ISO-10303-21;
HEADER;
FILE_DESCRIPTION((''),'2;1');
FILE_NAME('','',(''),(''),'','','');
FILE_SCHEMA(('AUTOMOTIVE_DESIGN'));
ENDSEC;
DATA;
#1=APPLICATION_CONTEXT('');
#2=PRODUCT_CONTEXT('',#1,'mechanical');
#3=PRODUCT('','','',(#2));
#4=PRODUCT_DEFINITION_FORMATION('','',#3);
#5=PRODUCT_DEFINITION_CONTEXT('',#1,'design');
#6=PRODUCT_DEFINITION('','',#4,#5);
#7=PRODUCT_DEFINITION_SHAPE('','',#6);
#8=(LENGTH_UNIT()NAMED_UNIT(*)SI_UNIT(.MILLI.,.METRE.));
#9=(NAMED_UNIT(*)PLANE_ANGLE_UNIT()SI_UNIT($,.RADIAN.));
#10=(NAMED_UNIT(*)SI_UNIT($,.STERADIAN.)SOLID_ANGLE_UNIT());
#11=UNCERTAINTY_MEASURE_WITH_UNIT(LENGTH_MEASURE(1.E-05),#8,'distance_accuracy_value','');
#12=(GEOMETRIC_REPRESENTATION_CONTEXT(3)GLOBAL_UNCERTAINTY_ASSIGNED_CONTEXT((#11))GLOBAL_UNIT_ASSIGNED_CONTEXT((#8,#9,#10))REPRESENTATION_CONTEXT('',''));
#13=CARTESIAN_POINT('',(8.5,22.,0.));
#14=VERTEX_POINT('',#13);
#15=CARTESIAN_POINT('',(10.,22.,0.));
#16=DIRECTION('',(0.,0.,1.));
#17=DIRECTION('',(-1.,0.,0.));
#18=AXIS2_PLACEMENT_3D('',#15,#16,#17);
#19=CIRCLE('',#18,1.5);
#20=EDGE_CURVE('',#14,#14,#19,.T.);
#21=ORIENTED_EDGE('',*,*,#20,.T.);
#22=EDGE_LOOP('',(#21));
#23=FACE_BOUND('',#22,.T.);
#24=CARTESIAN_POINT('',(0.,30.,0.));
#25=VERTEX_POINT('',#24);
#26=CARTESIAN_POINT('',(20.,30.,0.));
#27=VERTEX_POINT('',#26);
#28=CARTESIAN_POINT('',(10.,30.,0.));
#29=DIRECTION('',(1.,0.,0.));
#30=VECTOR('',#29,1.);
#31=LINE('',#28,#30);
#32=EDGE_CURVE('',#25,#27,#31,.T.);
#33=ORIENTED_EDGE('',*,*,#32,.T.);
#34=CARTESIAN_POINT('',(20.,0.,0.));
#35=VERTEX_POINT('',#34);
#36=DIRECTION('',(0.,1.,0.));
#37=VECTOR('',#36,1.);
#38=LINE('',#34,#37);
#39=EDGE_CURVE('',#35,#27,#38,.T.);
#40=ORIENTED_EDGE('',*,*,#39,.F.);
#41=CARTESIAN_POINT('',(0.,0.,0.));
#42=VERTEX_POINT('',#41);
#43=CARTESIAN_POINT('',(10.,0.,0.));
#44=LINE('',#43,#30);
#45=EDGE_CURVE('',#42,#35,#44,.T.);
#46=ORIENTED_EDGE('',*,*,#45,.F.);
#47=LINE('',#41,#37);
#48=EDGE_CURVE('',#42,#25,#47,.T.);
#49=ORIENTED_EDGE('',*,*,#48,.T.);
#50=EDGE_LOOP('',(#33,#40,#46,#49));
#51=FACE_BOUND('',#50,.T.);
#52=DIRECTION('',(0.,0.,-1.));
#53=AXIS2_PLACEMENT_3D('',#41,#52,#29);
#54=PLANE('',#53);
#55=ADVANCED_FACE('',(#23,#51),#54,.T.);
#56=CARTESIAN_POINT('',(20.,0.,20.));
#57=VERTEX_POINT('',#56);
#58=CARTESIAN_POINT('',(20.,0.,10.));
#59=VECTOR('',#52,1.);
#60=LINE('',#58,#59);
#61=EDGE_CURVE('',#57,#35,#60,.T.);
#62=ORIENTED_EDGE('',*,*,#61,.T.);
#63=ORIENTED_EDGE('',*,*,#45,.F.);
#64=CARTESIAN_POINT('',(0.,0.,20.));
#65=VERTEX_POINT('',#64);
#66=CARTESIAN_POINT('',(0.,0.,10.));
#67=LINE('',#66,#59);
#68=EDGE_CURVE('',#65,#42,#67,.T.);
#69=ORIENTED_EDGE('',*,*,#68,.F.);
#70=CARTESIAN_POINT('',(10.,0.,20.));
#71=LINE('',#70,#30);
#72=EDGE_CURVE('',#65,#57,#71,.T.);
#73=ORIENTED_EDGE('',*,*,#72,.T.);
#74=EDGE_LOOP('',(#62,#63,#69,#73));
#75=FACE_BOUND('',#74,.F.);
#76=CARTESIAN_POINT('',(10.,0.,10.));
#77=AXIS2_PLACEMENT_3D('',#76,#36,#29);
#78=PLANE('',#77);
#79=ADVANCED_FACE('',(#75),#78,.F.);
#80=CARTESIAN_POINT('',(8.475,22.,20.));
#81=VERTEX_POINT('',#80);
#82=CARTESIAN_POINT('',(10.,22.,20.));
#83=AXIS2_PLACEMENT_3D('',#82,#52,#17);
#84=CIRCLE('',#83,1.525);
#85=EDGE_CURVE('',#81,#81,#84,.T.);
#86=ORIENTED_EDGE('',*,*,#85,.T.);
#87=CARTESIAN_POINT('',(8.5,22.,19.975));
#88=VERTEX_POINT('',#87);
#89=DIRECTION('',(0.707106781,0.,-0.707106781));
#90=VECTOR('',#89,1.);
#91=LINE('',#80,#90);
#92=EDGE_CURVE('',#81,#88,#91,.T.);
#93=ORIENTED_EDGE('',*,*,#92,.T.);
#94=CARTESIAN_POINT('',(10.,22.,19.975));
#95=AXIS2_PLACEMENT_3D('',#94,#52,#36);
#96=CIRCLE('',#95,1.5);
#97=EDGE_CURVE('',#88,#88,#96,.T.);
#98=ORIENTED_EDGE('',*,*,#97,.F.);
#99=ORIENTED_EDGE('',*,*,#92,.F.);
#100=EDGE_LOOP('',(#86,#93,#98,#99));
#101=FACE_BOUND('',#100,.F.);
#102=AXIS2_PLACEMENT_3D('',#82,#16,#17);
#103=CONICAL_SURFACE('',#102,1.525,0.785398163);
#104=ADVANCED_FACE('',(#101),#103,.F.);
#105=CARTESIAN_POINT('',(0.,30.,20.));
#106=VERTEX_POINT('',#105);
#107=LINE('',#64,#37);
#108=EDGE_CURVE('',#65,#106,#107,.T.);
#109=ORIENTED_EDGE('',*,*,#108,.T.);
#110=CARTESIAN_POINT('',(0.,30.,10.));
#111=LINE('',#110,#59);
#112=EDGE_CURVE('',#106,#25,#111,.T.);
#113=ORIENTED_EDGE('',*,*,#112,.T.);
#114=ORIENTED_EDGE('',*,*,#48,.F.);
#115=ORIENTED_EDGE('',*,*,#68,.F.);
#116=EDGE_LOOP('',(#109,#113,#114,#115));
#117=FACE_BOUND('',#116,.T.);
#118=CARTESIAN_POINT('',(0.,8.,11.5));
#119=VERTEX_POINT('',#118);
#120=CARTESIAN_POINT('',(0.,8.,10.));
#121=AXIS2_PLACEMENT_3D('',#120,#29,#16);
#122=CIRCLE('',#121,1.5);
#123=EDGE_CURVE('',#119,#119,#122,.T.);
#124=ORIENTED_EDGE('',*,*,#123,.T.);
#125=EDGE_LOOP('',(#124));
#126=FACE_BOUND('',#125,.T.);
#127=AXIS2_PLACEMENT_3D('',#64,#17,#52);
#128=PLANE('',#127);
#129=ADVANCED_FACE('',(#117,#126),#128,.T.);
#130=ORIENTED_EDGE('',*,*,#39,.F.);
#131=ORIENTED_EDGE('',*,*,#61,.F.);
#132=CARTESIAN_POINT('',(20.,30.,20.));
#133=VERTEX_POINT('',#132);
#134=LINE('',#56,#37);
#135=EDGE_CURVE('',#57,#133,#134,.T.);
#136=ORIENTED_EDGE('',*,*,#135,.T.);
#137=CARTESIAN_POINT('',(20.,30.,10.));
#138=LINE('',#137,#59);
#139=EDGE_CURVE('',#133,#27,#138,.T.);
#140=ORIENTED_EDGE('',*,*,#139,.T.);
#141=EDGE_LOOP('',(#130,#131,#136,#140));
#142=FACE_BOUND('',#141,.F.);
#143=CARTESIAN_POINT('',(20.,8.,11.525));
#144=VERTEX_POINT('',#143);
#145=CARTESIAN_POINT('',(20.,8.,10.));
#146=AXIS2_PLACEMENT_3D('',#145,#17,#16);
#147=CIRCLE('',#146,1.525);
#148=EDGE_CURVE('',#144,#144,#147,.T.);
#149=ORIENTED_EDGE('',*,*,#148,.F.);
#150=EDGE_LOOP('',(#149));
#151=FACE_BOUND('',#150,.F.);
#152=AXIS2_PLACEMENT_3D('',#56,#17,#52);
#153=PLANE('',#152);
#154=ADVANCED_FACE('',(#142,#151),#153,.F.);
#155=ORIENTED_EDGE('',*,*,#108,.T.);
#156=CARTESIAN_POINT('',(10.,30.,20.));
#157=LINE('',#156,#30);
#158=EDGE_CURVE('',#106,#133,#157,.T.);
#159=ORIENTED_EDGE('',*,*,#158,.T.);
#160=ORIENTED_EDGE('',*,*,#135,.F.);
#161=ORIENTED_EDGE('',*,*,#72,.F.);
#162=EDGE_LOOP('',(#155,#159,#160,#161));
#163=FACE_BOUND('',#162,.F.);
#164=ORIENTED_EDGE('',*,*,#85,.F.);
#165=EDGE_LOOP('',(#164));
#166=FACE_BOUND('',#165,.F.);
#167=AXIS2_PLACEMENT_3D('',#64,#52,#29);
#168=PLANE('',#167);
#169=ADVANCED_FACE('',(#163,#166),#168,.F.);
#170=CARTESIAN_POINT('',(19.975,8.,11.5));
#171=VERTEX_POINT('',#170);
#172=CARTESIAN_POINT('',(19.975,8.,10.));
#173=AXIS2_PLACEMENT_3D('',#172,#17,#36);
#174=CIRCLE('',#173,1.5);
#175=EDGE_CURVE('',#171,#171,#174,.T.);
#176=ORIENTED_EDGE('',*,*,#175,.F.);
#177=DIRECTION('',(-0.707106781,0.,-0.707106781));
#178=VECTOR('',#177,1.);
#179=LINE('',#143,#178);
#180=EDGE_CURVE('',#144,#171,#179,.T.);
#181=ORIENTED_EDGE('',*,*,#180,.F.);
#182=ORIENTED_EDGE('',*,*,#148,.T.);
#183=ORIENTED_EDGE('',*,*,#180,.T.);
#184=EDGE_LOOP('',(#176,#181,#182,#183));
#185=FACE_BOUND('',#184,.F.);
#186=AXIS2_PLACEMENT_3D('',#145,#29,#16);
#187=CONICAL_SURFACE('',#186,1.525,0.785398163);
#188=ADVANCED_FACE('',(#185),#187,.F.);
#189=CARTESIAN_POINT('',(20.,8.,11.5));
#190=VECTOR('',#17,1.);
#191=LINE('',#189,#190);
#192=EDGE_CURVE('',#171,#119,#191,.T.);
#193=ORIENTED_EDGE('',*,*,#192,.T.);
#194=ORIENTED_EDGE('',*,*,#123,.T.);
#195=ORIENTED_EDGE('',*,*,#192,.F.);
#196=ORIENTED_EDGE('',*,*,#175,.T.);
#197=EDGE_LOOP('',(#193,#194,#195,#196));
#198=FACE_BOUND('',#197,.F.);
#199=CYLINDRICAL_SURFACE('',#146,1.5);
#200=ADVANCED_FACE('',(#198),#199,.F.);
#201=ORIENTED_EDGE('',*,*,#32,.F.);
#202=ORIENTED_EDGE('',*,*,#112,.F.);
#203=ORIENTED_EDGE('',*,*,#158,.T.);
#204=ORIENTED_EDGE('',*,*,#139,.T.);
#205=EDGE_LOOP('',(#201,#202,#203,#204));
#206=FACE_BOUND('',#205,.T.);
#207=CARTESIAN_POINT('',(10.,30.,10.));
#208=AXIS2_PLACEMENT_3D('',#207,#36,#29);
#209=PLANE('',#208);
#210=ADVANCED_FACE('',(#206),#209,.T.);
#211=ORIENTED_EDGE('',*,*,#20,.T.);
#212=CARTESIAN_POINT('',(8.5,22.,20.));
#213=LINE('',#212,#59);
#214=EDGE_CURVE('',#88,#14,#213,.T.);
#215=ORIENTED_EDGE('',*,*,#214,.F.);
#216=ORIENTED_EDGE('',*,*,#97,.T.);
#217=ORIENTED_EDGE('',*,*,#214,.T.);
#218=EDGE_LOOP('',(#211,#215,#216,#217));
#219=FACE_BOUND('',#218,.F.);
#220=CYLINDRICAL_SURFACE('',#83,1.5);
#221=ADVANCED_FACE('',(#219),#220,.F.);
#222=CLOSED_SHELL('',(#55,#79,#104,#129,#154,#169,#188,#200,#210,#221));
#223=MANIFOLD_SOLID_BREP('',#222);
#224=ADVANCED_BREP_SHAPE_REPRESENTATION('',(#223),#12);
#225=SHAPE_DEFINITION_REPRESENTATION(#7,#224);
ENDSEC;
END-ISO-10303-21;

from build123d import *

# Parameters (mm, degrees)
SKETCH1_W                       = 20
SKETCH1_H                       = 20
BOSS_EXTRUDE1_DEPTH             = 30
F_3_0MM_DOWEL_HOLE1_D           = 3
F_3_0MM_DOWEL_HOLE1_DEPTH       = 20
F_3_0MM_DOWEL_HOLE1_CSINK_D     = 3.05
F_3_0MM_DOWEL_HOLE1_CSINK_ANGLE = 90
F_3_0MM_DOWEL_HOLE1_TIP         = 0.901290929
F_3_0MM_DOWEL_HOLE2_D           = 3
F_3_0MM_DOWEL_HOLE2_DEPTH       = 20
F_3_0MM_DOWEL_HOLE2_CSINK_D     = 3.05
F_3_0MM_DOWEL_HOLE2_CSINK_ANGLE = 90
F_3_0MM_DOWEL_HOLE2_TIP         = 0.901290929


with BuildPart() as part:
    # Sketch1 → Boss-Extrude1 (new body)
    with BuildSketch(Plane(origin=(0, 0, 0), x_dir=(1, 0, 0), z_dir=(0, 1, 0))):
        with Locations((10, -10)):
            Rectangle(SKETCH1_W, SKETCH1_H)
    extrude(amount=BOSS_EXTRUDE1_DEPTH)

    # Ø3.0mm Dowel Hole1
    with Locations(Plane(origin=(20, 0, 0), x_dir=(0, 0, -1), z_dir=(1, 0, 0))):
        with Locations((-10, 8)):
            CounterSinkHole(F_3_0MM_DOWEL_HOLE1_D / 2, F_3_0MM_DOWEL_HOLE1_CSINK_D / 2, depth=F_3_0MM_DOWEL_HOLE1_DEPTH, counter_sink_angle=F_3_0MM_DOWEL_HOLE1_CSINK_ANGLE)
            with Locations((0, 0, -(F_3_0MM_DOWEL_HOLE1_DEPTH + F_3_0MM_DOWEL_HOLE1_TIP / 2))):  # 118° drill point
                Cone(0, F_3_0MM_DOWEL_HOLE1_D / 2, F_3_0MM_DOWEL_HOLE1_TIP, mode=Mode.SUBTRACT)

    # Ø3.0mm Dowel Hole2
    with Locations(Plane.XY.offset(20)):
        with Locations((10, 22)):
            CounterSinkHole(F_3_0MM_DOWEL_HOLE2_D / 2, F_3_0MM_DOWEL_HOLE2_CSINK_D / 2, depth=F_3_0MM_DOWEL_HOLE2_DEPTH, counter_sink_angle=F_3_0MM_DOWEL_HOLE2_CSINK_ANGLE)
            with Locations((0, 0, -(F_3_0MM_DOWEL_HOLE2_DEPTH + F_3_0MM_DOWEL_HOLE2_TIP / 2))):  # 118° drill point
                Cone(0, F_3_0MM_DOWEL_HOLE2_D / 2, F_3_0MM_DOWEL_HOLE2_TIP, mode=Mode.SUBTRACT)


solid = part.part
